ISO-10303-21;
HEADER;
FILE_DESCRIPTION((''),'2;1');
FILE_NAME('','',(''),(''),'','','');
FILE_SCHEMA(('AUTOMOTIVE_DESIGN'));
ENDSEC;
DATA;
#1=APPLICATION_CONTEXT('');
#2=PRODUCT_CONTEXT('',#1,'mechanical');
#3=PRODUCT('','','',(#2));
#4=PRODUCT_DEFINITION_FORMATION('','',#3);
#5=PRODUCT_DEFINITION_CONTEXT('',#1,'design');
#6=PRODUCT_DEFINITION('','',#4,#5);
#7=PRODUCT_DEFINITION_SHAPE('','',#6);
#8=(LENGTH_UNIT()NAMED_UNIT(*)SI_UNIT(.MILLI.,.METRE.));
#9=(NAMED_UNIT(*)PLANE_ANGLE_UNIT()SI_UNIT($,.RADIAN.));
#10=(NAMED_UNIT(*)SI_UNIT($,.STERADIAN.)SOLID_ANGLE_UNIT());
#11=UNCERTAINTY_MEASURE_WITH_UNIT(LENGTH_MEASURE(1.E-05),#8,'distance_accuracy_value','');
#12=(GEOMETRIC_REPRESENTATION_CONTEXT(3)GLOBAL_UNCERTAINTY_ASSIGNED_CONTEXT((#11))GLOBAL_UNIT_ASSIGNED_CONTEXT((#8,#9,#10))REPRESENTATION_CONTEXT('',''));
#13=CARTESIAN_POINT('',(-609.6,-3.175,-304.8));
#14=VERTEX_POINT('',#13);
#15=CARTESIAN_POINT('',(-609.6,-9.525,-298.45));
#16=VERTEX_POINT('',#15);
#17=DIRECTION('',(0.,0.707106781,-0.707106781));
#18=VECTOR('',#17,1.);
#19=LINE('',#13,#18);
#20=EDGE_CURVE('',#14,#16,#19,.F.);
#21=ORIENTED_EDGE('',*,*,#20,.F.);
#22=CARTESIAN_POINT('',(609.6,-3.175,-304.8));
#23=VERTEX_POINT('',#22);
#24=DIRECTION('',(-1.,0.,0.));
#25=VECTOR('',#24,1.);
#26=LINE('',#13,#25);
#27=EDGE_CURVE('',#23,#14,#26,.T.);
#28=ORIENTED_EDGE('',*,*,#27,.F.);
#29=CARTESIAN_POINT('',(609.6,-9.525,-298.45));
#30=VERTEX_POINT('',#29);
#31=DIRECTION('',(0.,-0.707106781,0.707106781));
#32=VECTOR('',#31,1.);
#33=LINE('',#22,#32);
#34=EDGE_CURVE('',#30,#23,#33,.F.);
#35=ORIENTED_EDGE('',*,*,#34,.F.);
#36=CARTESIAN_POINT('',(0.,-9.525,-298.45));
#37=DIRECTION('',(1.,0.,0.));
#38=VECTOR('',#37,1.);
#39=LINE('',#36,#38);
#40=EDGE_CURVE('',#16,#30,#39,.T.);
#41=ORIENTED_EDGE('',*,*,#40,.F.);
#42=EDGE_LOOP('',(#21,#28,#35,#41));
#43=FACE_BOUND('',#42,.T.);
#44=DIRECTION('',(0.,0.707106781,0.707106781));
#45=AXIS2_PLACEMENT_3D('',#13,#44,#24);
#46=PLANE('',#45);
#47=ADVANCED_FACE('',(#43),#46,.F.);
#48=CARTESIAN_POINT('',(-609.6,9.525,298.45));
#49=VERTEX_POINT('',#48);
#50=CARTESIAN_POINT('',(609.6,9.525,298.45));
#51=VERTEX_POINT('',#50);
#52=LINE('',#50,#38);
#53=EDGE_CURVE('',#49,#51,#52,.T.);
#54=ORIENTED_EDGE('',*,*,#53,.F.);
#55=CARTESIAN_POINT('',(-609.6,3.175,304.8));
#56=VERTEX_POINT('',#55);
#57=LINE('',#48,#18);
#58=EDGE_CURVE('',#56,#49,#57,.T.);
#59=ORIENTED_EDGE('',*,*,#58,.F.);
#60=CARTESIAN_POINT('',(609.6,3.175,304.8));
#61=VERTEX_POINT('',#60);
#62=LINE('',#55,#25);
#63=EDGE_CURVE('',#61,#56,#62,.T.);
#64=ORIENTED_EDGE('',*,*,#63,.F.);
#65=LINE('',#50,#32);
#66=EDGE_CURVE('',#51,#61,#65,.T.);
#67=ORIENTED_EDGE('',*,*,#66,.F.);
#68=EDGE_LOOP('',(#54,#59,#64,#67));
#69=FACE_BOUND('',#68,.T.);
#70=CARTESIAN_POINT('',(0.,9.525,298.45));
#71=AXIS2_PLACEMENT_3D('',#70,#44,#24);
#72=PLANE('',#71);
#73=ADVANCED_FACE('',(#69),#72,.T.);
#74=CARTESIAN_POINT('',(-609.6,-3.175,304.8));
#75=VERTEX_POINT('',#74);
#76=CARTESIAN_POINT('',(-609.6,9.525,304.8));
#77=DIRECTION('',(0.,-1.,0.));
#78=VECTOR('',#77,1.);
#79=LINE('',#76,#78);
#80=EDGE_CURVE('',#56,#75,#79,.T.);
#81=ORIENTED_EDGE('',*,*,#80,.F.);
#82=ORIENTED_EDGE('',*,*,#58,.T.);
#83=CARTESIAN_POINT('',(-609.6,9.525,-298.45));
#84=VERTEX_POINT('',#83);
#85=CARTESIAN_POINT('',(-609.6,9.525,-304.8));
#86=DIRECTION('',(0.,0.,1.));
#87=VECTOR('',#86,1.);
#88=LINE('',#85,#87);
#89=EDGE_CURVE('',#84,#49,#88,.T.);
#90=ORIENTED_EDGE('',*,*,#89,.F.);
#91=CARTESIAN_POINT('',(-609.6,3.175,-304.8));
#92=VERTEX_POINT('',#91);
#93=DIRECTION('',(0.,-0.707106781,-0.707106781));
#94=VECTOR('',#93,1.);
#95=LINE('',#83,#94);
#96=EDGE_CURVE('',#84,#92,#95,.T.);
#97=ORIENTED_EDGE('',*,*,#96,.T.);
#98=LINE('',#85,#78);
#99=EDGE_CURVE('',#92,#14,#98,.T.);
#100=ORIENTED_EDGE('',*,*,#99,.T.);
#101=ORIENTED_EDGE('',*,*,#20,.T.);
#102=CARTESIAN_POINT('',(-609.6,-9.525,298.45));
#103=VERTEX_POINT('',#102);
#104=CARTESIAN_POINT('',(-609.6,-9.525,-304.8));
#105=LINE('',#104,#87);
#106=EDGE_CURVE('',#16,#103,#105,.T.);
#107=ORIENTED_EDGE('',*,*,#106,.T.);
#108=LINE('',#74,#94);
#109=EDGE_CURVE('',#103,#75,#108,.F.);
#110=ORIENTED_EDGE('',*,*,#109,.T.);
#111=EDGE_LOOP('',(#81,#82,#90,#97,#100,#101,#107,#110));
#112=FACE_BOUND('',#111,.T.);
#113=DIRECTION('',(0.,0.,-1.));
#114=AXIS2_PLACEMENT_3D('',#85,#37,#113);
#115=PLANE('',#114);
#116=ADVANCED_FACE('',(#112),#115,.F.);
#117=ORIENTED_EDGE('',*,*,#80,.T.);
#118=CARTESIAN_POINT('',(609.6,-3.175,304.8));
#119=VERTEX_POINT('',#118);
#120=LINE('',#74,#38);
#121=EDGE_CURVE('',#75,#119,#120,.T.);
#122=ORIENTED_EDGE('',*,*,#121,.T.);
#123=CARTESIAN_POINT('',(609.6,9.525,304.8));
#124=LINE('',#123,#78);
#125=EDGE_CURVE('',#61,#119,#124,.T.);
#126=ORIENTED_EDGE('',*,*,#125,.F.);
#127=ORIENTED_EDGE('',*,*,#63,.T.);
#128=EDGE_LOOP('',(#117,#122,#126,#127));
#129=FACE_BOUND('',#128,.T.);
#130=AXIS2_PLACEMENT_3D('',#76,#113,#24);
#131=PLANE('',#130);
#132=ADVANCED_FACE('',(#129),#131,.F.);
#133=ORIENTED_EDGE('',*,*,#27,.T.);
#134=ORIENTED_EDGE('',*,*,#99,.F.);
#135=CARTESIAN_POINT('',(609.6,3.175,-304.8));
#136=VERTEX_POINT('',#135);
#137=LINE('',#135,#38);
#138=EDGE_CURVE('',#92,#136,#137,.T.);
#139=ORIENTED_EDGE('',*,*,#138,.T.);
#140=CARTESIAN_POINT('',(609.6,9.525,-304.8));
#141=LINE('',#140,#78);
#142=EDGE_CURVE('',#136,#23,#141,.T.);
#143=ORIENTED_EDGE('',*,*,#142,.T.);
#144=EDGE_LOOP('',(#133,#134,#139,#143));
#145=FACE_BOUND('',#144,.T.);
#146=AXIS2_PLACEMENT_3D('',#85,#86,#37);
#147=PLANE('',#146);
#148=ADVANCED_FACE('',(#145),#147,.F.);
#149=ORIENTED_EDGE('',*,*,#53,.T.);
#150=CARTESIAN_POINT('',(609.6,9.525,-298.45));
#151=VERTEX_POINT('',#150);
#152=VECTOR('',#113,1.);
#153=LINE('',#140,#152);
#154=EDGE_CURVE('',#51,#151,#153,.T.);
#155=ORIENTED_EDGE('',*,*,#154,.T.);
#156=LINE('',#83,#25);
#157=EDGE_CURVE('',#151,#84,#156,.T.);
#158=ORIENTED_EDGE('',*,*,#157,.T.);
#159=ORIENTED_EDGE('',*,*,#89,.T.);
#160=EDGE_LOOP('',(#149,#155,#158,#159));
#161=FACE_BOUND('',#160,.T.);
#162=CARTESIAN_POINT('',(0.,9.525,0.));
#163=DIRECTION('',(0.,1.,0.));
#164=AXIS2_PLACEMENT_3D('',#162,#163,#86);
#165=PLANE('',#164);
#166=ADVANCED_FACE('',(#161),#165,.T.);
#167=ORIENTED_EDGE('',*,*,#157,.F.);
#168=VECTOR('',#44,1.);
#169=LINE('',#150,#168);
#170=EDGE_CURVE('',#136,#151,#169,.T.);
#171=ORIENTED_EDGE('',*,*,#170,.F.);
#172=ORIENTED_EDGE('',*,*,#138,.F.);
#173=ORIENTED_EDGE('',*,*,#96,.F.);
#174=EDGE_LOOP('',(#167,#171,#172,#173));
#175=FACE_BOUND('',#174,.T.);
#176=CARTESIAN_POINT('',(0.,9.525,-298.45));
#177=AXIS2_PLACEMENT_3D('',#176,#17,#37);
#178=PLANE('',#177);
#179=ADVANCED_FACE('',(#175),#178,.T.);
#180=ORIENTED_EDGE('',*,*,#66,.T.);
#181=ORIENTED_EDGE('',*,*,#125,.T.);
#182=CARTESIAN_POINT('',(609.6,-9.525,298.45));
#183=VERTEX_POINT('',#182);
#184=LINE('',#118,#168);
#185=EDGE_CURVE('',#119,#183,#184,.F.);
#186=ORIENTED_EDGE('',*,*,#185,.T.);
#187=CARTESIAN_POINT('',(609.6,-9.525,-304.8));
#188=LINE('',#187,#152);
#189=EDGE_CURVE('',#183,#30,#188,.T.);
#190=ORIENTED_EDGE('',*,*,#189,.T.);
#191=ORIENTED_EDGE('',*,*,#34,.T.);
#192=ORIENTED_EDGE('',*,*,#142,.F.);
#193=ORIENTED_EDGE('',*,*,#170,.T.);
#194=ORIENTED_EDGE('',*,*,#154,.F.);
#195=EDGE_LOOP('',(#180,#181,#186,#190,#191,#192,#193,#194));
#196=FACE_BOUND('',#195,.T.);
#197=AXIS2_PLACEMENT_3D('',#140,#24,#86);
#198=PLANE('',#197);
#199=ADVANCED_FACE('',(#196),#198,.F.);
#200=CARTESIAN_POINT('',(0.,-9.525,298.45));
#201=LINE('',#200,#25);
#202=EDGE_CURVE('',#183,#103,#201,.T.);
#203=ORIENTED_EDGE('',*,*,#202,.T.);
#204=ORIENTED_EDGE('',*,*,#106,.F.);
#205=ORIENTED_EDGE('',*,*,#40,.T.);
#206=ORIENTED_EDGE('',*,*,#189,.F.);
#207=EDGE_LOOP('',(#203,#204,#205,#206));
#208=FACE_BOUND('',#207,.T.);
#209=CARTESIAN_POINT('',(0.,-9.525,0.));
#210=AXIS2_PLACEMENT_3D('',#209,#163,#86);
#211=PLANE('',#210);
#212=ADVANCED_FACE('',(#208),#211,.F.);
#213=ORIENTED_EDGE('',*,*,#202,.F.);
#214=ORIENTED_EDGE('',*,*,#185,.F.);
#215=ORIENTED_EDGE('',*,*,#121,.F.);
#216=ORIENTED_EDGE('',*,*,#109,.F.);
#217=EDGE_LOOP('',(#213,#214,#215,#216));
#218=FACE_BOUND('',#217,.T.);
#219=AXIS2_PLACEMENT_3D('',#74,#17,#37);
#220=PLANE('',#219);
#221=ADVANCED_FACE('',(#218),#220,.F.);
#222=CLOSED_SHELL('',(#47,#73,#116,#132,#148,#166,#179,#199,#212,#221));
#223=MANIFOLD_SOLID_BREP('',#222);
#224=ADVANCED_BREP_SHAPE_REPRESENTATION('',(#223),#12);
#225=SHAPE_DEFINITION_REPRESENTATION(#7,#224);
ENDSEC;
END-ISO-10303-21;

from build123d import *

# Parameters (mm, degrees)
SKETCH1_W           = 1219.2
SKETCH1_H           = 609.6
BOSS_EXTRUDE1_DEPTH = 9.525
CHAMFER1_SIZE       = 6.35


with BuildPart() as part:
    # Sketch1 → Boss-Extrude1 (new body, symmetric)
    with BuildSketch(Plane(origin=(0, 0, 0), x_dir=(1, 0, 0), z_dir=(0, 1, 0))):
        Rectangle(SKETCH1_W, SKETCH1_H)
    extrude(amount=BOSS_EXTRUDE1_DEPTH, both=True)

    # Chamfer1
    chamfer1_edges = [part.edges().sort_by_distance(p)[0] for p in [
        (0, 9.525, 304.8),
        (0, -9.525, 304.8),
        (0, -9.525, -304.8),
        (0, 9.525, -304.8),
    ]]
    chamfer(chamfer1_edges, length=CHAMFER1_SIZE)


solid = part.part
